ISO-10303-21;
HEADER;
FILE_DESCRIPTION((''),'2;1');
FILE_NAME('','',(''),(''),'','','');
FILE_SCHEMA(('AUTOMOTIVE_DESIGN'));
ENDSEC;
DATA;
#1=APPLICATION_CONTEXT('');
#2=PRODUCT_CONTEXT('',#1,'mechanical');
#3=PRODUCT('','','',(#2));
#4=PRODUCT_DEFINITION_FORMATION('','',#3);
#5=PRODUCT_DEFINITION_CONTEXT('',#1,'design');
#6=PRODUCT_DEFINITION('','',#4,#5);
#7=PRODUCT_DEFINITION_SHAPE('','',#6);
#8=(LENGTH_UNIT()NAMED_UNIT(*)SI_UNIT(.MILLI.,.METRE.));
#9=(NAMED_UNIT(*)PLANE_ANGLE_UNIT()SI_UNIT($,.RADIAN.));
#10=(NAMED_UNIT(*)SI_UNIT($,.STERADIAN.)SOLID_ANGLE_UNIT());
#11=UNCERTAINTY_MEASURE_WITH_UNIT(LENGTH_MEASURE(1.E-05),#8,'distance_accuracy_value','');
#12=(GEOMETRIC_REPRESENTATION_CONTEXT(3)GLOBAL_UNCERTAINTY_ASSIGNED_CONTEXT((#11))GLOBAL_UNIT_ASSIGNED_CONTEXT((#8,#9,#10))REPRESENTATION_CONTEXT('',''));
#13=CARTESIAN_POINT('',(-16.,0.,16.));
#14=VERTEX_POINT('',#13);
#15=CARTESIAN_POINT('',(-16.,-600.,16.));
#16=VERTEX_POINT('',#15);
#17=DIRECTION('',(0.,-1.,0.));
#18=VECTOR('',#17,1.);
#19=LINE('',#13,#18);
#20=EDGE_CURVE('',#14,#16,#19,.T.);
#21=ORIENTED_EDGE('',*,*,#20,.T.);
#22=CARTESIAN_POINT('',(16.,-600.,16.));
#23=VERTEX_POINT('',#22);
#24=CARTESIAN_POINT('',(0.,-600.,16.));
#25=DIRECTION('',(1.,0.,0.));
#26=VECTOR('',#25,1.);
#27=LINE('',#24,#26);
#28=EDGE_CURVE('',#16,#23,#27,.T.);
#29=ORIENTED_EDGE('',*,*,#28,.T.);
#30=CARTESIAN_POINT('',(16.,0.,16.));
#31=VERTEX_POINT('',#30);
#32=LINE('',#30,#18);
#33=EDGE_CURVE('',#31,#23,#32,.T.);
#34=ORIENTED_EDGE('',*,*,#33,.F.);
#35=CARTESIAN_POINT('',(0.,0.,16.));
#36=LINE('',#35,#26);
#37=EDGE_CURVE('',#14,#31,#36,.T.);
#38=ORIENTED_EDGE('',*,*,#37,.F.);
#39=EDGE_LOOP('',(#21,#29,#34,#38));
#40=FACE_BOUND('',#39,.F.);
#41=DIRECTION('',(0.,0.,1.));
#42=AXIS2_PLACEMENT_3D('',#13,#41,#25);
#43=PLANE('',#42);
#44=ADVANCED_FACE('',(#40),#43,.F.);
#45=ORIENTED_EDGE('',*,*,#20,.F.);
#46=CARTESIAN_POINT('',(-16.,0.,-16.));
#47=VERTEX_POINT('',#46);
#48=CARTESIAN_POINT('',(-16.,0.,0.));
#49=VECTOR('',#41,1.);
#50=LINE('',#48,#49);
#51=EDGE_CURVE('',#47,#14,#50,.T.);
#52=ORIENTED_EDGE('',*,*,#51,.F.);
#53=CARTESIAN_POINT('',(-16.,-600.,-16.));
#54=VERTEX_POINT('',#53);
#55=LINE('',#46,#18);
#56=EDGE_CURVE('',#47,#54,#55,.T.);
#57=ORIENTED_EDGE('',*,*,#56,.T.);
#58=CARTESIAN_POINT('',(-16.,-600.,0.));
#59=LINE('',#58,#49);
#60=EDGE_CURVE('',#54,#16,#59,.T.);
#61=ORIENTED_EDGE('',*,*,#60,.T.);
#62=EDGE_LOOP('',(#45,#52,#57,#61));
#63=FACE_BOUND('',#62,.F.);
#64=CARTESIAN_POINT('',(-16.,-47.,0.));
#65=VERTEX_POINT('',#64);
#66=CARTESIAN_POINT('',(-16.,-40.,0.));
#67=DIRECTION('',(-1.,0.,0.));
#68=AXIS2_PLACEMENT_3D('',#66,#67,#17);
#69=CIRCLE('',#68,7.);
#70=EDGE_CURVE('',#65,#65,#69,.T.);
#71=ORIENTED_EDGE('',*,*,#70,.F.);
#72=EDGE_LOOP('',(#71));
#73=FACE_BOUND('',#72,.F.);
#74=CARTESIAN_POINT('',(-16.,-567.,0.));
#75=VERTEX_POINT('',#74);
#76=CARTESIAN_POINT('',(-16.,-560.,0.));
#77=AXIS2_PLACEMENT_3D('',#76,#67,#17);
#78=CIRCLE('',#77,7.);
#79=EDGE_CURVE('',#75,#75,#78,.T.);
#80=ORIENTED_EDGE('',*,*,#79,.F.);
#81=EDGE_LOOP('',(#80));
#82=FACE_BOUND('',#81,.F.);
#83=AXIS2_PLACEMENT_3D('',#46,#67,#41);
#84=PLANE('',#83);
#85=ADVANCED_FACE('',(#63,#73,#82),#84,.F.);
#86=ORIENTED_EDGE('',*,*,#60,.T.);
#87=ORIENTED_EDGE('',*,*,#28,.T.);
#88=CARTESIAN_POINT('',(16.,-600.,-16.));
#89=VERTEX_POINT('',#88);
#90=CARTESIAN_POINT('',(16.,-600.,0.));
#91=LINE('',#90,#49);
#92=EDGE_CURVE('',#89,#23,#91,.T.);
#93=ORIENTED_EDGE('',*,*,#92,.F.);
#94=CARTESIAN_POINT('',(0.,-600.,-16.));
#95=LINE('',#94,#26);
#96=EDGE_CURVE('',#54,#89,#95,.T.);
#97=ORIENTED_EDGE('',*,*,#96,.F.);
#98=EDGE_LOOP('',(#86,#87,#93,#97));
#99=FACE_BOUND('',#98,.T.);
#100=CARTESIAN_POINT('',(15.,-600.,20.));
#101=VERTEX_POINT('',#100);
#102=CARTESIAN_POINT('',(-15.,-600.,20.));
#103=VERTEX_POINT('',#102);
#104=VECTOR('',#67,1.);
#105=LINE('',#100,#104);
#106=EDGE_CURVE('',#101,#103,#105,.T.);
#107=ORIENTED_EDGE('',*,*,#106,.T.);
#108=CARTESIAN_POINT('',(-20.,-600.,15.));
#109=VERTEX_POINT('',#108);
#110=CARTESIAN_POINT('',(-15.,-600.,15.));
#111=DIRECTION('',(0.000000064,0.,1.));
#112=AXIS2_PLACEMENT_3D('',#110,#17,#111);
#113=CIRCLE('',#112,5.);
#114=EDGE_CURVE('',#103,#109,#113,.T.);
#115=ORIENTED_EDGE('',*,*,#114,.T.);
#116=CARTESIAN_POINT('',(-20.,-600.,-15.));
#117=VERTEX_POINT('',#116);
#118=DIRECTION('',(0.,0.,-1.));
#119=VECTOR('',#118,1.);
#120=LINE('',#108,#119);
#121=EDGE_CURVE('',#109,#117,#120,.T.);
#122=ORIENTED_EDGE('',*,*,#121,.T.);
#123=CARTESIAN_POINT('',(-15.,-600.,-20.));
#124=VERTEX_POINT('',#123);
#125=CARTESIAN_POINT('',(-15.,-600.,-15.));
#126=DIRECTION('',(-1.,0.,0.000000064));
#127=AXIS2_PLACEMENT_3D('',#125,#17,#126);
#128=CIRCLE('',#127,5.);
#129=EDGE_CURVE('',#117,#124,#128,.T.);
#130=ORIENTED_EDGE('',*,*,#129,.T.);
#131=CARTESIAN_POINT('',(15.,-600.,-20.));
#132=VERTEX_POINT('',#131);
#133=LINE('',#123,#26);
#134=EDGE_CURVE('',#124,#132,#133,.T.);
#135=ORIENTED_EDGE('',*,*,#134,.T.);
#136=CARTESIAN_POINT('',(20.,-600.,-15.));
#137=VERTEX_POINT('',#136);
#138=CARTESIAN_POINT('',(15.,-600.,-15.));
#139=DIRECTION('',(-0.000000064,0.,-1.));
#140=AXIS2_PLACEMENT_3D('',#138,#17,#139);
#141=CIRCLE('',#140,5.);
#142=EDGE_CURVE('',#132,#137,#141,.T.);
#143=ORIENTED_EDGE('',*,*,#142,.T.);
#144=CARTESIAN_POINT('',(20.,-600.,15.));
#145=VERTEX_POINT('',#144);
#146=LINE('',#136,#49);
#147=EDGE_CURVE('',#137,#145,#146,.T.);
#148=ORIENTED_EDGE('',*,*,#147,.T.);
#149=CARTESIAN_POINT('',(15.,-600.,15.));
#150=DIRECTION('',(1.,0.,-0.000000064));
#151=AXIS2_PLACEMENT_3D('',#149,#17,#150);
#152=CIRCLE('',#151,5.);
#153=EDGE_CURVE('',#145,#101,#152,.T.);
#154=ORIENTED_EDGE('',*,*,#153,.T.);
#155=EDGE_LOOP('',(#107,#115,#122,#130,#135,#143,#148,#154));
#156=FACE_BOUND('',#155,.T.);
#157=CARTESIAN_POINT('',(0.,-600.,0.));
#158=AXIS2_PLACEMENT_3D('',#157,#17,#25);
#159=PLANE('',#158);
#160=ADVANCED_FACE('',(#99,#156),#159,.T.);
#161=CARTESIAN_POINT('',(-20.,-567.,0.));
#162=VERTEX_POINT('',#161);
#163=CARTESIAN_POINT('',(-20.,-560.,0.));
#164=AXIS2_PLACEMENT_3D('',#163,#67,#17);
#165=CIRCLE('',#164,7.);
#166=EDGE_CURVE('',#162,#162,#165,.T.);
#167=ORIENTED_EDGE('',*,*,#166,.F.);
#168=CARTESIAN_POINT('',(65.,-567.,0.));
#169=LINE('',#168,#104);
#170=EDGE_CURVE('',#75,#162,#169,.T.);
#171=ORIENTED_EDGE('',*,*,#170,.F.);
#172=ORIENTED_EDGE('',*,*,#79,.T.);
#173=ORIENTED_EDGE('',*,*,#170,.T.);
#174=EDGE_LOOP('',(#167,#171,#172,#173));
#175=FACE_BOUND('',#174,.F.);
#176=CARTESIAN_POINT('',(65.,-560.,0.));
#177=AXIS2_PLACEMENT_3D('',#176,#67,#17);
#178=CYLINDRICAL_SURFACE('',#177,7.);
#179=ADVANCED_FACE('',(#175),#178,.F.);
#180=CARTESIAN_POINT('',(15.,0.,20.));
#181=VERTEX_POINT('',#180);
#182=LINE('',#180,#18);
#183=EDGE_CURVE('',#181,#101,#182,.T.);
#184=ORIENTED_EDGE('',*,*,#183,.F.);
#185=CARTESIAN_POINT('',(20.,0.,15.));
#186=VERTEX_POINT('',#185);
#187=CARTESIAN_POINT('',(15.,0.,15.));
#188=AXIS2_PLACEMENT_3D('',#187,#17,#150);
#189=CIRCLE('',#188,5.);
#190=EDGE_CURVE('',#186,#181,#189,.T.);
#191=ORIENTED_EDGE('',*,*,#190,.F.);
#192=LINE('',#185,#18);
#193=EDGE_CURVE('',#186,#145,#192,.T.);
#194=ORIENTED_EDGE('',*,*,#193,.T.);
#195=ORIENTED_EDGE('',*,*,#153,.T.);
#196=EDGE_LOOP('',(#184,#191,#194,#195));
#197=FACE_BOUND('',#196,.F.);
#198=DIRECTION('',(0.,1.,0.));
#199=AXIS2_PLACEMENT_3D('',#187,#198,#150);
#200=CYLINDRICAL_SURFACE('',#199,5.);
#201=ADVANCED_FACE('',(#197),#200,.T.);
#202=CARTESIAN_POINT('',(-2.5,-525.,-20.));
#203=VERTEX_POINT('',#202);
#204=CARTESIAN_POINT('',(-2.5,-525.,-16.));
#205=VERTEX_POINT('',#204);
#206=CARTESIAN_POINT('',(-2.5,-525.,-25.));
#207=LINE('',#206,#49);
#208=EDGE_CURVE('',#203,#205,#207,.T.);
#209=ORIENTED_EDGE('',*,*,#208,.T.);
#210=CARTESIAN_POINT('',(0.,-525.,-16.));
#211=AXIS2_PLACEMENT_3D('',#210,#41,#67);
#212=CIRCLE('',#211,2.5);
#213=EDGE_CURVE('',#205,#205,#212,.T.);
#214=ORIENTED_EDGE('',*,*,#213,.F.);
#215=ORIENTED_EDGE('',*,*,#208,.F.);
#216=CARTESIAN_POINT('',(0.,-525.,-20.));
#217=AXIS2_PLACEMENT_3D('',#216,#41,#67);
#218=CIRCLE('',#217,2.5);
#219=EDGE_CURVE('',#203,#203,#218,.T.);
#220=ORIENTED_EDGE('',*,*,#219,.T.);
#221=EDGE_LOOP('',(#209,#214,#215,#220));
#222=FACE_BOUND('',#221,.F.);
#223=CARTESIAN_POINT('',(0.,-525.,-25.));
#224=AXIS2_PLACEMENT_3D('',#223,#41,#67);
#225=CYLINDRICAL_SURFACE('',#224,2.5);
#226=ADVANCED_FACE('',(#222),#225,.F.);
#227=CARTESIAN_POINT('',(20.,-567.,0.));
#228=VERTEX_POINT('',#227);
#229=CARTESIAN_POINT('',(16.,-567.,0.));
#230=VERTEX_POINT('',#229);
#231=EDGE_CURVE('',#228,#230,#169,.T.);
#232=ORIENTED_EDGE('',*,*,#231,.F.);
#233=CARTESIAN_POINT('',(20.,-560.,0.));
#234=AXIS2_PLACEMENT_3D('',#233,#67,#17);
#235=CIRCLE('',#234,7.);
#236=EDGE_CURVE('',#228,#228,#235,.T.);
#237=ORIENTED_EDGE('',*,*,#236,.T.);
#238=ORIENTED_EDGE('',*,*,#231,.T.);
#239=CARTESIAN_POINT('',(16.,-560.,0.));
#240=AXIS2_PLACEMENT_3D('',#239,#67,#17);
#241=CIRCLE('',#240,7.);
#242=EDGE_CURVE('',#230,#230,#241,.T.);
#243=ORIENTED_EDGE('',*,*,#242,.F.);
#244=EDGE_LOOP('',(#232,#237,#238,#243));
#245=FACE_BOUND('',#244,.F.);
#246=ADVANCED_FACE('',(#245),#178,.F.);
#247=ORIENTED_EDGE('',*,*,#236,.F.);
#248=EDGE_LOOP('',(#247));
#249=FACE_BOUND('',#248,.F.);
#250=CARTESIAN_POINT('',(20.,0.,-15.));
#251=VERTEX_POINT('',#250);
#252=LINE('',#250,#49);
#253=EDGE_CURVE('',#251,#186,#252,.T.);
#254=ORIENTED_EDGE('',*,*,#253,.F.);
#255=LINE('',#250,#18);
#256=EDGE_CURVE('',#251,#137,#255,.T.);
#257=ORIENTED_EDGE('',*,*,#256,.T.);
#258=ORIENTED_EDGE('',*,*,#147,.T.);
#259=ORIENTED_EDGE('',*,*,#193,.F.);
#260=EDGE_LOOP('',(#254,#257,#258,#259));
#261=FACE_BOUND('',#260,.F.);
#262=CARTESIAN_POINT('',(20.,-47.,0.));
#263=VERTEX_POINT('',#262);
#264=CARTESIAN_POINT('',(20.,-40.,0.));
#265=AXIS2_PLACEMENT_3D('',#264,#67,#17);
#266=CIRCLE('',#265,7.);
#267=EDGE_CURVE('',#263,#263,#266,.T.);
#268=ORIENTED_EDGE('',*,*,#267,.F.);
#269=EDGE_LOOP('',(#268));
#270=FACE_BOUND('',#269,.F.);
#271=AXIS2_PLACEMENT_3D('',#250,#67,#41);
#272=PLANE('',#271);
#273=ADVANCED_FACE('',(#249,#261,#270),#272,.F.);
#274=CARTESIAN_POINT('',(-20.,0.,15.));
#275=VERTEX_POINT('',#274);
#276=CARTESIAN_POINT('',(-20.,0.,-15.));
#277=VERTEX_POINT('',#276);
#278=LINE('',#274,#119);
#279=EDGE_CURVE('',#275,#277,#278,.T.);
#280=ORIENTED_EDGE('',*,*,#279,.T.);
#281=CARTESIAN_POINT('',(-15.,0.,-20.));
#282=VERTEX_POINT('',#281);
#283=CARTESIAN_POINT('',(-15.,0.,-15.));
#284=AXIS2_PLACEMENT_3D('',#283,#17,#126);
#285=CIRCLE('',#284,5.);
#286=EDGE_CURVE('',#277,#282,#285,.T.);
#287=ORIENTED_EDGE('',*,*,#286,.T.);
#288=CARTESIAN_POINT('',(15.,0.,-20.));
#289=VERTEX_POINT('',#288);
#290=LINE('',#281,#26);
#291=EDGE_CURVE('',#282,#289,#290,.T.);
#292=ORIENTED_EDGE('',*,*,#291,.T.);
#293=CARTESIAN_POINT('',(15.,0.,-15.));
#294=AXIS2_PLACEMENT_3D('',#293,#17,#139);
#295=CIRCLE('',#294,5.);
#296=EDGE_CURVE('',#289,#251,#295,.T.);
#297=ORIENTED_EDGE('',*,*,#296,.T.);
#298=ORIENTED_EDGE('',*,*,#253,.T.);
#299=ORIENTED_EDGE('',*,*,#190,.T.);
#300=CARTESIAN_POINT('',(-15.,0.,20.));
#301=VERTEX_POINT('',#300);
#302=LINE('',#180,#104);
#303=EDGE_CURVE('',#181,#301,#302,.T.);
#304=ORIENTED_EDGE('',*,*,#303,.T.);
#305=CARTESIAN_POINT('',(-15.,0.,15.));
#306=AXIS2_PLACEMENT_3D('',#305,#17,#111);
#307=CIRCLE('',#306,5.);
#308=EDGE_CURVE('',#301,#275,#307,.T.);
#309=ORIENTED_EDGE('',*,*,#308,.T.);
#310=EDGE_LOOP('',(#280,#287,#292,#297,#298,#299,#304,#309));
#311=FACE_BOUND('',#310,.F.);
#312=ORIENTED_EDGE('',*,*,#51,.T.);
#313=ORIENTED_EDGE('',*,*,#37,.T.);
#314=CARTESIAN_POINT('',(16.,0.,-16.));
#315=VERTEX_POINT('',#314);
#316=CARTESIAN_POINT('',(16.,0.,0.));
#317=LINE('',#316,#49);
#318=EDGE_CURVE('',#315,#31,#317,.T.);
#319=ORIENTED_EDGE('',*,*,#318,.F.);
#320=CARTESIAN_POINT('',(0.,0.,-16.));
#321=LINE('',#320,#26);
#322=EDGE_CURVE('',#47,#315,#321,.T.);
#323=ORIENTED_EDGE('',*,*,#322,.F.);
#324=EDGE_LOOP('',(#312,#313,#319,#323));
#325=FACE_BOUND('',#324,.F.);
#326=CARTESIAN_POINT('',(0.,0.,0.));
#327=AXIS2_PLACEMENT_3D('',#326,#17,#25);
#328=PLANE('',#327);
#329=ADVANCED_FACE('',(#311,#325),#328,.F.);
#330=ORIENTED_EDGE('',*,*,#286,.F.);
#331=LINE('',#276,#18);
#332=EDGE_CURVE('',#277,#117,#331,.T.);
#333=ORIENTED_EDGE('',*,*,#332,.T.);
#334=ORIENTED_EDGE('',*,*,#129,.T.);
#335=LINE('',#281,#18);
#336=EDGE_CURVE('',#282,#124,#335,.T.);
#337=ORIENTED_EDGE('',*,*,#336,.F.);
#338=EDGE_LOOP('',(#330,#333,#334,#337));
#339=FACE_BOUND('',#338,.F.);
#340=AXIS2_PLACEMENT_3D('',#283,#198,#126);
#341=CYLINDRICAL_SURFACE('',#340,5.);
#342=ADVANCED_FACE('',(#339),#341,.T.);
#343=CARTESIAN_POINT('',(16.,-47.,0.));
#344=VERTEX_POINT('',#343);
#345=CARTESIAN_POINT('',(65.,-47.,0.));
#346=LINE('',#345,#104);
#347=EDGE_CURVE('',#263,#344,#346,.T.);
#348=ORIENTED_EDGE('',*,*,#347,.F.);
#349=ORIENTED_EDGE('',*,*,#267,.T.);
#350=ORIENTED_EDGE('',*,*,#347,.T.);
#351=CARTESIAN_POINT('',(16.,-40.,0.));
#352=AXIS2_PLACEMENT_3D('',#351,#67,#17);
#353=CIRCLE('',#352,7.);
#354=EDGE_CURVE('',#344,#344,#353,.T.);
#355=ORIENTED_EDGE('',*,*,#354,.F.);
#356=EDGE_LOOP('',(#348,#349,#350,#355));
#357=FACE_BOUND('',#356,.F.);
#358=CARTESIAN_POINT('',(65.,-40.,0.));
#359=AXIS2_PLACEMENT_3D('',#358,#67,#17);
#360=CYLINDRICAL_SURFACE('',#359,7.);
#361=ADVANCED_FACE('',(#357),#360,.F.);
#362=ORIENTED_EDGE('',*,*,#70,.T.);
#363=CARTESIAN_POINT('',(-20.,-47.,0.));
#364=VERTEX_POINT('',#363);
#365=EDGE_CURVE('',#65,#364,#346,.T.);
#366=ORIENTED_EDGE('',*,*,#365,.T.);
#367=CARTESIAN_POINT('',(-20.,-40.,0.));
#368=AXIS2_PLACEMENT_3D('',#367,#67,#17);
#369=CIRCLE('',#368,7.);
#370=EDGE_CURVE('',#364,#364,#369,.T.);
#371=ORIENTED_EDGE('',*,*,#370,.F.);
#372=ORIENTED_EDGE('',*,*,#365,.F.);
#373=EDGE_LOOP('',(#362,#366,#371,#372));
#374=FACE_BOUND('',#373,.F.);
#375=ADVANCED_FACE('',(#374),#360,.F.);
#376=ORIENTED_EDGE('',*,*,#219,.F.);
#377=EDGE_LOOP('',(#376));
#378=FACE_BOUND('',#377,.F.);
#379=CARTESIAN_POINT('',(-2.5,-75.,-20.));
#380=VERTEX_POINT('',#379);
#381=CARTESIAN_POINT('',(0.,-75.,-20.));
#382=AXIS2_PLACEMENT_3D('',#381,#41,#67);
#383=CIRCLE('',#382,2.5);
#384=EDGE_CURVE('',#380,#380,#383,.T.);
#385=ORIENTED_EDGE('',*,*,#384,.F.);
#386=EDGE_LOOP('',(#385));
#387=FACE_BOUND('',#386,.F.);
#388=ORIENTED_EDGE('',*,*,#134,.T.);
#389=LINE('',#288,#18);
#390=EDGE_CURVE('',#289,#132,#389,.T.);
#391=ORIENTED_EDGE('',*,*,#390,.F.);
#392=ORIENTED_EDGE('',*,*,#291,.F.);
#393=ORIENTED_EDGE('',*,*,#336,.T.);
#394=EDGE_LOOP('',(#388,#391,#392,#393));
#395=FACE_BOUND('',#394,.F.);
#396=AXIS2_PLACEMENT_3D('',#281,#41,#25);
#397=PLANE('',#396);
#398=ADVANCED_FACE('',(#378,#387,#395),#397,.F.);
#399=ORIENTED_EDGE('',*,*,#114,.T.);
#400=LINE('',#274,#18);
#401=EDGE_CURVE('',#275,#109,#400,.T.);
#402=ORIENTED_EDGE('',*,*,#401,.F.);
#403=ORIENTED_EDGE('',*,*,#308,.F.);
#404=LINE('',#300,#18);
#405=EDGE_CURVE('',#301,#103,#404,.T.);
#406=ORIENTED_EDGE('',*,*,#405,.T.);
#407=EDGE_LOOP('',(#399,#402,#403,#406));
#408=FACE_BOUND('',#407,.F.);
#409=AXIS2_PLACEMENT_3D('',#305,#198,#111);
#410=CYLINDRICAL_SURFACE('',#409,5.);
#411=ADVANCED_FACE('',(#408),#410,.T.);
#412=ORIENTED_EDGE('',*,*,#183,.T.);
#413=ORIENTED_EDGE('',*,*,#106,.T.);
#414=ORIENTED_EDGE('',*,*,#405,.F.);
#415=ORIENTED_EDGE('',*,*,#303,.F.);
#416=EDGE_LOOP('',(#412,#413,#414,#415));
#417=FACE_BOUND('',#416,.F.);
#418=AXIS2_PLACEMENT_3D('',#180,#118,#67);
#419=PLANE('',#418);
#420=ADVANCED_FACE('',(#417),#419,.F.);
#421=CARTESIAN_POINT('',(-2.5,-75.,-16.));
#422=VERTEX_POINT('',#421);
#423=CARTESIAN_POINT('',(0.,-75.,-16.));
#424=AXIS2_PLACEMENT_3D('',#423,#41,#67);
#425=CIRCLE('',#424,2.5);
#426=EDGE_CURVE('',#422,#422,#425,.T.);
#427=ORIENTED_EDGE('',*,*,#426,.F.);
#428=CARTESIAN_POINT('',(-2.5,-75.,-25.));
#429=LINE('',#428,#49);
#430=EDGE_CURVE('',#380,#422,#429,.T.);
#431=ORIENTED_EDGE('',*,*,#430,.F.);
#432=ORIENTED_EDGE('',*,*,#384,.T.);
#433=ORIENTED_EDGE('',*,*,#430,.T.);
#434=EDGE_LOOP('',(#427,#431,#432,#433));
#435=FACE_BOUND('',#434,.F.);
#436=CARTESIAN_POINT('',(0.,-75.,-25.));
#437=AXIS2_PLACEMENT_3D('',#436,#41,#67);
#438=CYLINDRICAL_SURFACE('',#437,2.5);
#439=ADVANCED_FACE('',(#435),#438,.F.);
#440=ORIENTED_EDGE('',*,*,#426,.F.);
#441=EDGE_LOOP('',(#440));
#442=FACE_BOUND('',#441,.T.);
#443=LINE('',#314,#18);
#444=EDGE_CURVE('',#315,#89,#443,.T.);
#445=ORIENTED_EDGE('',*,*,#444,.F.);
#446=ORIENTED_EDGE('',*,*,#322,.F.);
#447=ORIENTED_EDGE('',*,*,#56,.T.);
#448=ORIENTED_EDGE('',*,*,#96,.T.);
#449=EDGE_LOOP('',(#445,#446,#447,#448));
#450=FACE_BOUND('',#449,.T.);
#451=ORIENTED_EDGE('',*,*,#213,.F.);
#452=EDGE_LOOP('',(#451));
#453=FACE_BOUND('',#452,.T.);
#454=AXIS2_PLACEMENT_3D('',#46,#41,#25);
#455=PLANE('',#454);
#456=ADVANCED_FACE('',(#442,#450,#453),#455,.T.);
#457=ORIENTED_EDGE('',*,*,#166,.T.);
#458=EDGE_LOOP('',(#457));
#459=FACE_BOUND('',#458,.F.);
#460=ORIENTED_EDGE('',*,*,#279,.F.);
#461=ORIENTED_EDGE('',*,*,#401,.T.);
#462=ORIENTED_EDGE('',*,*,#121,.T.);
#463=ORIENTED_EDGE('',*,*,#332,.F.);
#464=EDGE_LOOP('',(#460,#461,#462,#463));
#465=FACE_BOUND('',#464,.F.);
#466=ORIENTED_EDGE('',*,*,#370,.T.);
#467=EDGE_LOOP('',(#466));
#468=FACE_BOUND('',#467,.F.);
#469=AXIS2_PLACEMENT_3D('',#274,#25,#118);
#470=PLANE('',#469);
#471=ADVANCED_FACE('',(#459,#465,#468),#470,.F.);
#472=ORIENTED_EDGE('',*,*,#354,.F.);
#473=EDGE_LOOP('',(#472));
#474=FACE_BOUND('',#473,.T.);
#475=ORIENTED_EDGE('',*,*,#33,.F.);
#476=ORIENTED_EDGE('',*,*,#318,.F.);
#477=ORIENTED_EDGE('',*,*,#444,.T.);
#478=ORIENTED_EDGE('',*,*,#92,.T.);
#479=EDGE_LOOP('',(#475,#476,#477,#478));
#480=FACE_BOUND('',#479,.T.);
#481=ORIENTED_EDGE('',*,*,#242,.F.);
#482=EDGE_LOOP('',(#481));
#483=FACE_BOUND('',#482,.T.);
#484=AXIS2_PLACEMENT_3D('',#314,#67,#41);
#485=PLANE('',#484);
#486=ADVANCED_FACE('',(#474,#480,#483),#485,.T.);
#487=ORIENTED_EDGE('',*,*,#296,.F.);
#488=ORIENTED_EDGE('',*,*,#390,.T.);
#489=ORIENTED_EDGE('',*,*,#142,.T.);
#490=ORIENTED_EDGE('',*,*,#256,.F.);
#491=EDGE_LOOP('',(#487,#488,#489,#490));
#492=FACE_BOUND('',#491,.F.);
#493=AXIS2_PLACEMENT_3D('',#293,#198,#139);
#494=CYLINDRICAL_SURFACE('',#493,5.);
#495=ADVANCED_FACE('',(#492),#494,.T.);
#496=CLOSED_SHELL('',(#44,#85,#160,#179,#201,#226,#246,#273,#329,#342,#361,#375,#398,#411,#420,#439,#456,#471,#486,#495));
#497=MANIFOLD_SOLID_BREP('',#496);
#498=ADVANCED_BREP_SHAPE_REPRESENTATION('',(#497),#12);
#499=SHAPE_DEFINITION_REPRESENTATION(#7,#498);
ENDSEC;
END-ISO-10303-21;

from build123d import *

# Parameters (mm, degrees)
F0_W     = 32
F0_H     = 32
F1_DEPTH = 600
F3_D     = 14
F3_DEPTH = 45
F4_D     = 14
F4_DEPTH = 45
F6_D     = 5
F6_DEPTH = 5
F7_D     = 5
F7_DEPTH = 5


with BuildPart() as f1:
    # F0 (on Front) → F1 (new body)
    with BuildSketch(Plane.XZ):
        with BuildLine():
            Line((-15, -20), (15, -20))
            ThreePointArc((15, -20), (18.535534, -18.535534), (20, -15))
            Line((20, -15), (20, 15))
            ThreePointArc((20, 15), (18.535534, 18.535534), (15, 20))
            Line((15, 20), (-15, 20))
            ThreePointArc((-15, 20), (-18.535534, 18.535534), (-20, 15))
            Line((-20, 15), (-20, -15))
            ThreePointArc((-20, -15), (-18.535534, -18.535534), (-15, -20))
        make_face()
        Rectangle(F0_W, F0_H, mode=Mode.SUBTRACT)
    extrude(amount=F1_DEPTH)

    # F3
    with Locations(Plane.YZ.offset(20)):
        with Locations((-560, 0)):
            Hole(F3_D / 2, depth=F3_DEPTH)

    # F4
    with Locations(Plane.YZ.offset(20)):
        with Locations((-40, 0)):
            Hole(F4_D / 2, depth=F4_DEPTH)

    # F6
    with Locations(Plane(origin=(0, 0, -20), x_dir=(1, 0, 0), z_dir=(0, 0, -1))):
        with Locations((0, 525)):
            Hole(F6_D / 2, depth=F6_DEPTH)

    # F7
    with Locations(Plane(origin=(0, 0, -20), x_dir=(1, 0, 0), z_dir=(0, 0, -1))):
        with Locations((0, 75)):
            Hole(F7_D / 2, depth=F7_DEPTH)


solid = f1.part
